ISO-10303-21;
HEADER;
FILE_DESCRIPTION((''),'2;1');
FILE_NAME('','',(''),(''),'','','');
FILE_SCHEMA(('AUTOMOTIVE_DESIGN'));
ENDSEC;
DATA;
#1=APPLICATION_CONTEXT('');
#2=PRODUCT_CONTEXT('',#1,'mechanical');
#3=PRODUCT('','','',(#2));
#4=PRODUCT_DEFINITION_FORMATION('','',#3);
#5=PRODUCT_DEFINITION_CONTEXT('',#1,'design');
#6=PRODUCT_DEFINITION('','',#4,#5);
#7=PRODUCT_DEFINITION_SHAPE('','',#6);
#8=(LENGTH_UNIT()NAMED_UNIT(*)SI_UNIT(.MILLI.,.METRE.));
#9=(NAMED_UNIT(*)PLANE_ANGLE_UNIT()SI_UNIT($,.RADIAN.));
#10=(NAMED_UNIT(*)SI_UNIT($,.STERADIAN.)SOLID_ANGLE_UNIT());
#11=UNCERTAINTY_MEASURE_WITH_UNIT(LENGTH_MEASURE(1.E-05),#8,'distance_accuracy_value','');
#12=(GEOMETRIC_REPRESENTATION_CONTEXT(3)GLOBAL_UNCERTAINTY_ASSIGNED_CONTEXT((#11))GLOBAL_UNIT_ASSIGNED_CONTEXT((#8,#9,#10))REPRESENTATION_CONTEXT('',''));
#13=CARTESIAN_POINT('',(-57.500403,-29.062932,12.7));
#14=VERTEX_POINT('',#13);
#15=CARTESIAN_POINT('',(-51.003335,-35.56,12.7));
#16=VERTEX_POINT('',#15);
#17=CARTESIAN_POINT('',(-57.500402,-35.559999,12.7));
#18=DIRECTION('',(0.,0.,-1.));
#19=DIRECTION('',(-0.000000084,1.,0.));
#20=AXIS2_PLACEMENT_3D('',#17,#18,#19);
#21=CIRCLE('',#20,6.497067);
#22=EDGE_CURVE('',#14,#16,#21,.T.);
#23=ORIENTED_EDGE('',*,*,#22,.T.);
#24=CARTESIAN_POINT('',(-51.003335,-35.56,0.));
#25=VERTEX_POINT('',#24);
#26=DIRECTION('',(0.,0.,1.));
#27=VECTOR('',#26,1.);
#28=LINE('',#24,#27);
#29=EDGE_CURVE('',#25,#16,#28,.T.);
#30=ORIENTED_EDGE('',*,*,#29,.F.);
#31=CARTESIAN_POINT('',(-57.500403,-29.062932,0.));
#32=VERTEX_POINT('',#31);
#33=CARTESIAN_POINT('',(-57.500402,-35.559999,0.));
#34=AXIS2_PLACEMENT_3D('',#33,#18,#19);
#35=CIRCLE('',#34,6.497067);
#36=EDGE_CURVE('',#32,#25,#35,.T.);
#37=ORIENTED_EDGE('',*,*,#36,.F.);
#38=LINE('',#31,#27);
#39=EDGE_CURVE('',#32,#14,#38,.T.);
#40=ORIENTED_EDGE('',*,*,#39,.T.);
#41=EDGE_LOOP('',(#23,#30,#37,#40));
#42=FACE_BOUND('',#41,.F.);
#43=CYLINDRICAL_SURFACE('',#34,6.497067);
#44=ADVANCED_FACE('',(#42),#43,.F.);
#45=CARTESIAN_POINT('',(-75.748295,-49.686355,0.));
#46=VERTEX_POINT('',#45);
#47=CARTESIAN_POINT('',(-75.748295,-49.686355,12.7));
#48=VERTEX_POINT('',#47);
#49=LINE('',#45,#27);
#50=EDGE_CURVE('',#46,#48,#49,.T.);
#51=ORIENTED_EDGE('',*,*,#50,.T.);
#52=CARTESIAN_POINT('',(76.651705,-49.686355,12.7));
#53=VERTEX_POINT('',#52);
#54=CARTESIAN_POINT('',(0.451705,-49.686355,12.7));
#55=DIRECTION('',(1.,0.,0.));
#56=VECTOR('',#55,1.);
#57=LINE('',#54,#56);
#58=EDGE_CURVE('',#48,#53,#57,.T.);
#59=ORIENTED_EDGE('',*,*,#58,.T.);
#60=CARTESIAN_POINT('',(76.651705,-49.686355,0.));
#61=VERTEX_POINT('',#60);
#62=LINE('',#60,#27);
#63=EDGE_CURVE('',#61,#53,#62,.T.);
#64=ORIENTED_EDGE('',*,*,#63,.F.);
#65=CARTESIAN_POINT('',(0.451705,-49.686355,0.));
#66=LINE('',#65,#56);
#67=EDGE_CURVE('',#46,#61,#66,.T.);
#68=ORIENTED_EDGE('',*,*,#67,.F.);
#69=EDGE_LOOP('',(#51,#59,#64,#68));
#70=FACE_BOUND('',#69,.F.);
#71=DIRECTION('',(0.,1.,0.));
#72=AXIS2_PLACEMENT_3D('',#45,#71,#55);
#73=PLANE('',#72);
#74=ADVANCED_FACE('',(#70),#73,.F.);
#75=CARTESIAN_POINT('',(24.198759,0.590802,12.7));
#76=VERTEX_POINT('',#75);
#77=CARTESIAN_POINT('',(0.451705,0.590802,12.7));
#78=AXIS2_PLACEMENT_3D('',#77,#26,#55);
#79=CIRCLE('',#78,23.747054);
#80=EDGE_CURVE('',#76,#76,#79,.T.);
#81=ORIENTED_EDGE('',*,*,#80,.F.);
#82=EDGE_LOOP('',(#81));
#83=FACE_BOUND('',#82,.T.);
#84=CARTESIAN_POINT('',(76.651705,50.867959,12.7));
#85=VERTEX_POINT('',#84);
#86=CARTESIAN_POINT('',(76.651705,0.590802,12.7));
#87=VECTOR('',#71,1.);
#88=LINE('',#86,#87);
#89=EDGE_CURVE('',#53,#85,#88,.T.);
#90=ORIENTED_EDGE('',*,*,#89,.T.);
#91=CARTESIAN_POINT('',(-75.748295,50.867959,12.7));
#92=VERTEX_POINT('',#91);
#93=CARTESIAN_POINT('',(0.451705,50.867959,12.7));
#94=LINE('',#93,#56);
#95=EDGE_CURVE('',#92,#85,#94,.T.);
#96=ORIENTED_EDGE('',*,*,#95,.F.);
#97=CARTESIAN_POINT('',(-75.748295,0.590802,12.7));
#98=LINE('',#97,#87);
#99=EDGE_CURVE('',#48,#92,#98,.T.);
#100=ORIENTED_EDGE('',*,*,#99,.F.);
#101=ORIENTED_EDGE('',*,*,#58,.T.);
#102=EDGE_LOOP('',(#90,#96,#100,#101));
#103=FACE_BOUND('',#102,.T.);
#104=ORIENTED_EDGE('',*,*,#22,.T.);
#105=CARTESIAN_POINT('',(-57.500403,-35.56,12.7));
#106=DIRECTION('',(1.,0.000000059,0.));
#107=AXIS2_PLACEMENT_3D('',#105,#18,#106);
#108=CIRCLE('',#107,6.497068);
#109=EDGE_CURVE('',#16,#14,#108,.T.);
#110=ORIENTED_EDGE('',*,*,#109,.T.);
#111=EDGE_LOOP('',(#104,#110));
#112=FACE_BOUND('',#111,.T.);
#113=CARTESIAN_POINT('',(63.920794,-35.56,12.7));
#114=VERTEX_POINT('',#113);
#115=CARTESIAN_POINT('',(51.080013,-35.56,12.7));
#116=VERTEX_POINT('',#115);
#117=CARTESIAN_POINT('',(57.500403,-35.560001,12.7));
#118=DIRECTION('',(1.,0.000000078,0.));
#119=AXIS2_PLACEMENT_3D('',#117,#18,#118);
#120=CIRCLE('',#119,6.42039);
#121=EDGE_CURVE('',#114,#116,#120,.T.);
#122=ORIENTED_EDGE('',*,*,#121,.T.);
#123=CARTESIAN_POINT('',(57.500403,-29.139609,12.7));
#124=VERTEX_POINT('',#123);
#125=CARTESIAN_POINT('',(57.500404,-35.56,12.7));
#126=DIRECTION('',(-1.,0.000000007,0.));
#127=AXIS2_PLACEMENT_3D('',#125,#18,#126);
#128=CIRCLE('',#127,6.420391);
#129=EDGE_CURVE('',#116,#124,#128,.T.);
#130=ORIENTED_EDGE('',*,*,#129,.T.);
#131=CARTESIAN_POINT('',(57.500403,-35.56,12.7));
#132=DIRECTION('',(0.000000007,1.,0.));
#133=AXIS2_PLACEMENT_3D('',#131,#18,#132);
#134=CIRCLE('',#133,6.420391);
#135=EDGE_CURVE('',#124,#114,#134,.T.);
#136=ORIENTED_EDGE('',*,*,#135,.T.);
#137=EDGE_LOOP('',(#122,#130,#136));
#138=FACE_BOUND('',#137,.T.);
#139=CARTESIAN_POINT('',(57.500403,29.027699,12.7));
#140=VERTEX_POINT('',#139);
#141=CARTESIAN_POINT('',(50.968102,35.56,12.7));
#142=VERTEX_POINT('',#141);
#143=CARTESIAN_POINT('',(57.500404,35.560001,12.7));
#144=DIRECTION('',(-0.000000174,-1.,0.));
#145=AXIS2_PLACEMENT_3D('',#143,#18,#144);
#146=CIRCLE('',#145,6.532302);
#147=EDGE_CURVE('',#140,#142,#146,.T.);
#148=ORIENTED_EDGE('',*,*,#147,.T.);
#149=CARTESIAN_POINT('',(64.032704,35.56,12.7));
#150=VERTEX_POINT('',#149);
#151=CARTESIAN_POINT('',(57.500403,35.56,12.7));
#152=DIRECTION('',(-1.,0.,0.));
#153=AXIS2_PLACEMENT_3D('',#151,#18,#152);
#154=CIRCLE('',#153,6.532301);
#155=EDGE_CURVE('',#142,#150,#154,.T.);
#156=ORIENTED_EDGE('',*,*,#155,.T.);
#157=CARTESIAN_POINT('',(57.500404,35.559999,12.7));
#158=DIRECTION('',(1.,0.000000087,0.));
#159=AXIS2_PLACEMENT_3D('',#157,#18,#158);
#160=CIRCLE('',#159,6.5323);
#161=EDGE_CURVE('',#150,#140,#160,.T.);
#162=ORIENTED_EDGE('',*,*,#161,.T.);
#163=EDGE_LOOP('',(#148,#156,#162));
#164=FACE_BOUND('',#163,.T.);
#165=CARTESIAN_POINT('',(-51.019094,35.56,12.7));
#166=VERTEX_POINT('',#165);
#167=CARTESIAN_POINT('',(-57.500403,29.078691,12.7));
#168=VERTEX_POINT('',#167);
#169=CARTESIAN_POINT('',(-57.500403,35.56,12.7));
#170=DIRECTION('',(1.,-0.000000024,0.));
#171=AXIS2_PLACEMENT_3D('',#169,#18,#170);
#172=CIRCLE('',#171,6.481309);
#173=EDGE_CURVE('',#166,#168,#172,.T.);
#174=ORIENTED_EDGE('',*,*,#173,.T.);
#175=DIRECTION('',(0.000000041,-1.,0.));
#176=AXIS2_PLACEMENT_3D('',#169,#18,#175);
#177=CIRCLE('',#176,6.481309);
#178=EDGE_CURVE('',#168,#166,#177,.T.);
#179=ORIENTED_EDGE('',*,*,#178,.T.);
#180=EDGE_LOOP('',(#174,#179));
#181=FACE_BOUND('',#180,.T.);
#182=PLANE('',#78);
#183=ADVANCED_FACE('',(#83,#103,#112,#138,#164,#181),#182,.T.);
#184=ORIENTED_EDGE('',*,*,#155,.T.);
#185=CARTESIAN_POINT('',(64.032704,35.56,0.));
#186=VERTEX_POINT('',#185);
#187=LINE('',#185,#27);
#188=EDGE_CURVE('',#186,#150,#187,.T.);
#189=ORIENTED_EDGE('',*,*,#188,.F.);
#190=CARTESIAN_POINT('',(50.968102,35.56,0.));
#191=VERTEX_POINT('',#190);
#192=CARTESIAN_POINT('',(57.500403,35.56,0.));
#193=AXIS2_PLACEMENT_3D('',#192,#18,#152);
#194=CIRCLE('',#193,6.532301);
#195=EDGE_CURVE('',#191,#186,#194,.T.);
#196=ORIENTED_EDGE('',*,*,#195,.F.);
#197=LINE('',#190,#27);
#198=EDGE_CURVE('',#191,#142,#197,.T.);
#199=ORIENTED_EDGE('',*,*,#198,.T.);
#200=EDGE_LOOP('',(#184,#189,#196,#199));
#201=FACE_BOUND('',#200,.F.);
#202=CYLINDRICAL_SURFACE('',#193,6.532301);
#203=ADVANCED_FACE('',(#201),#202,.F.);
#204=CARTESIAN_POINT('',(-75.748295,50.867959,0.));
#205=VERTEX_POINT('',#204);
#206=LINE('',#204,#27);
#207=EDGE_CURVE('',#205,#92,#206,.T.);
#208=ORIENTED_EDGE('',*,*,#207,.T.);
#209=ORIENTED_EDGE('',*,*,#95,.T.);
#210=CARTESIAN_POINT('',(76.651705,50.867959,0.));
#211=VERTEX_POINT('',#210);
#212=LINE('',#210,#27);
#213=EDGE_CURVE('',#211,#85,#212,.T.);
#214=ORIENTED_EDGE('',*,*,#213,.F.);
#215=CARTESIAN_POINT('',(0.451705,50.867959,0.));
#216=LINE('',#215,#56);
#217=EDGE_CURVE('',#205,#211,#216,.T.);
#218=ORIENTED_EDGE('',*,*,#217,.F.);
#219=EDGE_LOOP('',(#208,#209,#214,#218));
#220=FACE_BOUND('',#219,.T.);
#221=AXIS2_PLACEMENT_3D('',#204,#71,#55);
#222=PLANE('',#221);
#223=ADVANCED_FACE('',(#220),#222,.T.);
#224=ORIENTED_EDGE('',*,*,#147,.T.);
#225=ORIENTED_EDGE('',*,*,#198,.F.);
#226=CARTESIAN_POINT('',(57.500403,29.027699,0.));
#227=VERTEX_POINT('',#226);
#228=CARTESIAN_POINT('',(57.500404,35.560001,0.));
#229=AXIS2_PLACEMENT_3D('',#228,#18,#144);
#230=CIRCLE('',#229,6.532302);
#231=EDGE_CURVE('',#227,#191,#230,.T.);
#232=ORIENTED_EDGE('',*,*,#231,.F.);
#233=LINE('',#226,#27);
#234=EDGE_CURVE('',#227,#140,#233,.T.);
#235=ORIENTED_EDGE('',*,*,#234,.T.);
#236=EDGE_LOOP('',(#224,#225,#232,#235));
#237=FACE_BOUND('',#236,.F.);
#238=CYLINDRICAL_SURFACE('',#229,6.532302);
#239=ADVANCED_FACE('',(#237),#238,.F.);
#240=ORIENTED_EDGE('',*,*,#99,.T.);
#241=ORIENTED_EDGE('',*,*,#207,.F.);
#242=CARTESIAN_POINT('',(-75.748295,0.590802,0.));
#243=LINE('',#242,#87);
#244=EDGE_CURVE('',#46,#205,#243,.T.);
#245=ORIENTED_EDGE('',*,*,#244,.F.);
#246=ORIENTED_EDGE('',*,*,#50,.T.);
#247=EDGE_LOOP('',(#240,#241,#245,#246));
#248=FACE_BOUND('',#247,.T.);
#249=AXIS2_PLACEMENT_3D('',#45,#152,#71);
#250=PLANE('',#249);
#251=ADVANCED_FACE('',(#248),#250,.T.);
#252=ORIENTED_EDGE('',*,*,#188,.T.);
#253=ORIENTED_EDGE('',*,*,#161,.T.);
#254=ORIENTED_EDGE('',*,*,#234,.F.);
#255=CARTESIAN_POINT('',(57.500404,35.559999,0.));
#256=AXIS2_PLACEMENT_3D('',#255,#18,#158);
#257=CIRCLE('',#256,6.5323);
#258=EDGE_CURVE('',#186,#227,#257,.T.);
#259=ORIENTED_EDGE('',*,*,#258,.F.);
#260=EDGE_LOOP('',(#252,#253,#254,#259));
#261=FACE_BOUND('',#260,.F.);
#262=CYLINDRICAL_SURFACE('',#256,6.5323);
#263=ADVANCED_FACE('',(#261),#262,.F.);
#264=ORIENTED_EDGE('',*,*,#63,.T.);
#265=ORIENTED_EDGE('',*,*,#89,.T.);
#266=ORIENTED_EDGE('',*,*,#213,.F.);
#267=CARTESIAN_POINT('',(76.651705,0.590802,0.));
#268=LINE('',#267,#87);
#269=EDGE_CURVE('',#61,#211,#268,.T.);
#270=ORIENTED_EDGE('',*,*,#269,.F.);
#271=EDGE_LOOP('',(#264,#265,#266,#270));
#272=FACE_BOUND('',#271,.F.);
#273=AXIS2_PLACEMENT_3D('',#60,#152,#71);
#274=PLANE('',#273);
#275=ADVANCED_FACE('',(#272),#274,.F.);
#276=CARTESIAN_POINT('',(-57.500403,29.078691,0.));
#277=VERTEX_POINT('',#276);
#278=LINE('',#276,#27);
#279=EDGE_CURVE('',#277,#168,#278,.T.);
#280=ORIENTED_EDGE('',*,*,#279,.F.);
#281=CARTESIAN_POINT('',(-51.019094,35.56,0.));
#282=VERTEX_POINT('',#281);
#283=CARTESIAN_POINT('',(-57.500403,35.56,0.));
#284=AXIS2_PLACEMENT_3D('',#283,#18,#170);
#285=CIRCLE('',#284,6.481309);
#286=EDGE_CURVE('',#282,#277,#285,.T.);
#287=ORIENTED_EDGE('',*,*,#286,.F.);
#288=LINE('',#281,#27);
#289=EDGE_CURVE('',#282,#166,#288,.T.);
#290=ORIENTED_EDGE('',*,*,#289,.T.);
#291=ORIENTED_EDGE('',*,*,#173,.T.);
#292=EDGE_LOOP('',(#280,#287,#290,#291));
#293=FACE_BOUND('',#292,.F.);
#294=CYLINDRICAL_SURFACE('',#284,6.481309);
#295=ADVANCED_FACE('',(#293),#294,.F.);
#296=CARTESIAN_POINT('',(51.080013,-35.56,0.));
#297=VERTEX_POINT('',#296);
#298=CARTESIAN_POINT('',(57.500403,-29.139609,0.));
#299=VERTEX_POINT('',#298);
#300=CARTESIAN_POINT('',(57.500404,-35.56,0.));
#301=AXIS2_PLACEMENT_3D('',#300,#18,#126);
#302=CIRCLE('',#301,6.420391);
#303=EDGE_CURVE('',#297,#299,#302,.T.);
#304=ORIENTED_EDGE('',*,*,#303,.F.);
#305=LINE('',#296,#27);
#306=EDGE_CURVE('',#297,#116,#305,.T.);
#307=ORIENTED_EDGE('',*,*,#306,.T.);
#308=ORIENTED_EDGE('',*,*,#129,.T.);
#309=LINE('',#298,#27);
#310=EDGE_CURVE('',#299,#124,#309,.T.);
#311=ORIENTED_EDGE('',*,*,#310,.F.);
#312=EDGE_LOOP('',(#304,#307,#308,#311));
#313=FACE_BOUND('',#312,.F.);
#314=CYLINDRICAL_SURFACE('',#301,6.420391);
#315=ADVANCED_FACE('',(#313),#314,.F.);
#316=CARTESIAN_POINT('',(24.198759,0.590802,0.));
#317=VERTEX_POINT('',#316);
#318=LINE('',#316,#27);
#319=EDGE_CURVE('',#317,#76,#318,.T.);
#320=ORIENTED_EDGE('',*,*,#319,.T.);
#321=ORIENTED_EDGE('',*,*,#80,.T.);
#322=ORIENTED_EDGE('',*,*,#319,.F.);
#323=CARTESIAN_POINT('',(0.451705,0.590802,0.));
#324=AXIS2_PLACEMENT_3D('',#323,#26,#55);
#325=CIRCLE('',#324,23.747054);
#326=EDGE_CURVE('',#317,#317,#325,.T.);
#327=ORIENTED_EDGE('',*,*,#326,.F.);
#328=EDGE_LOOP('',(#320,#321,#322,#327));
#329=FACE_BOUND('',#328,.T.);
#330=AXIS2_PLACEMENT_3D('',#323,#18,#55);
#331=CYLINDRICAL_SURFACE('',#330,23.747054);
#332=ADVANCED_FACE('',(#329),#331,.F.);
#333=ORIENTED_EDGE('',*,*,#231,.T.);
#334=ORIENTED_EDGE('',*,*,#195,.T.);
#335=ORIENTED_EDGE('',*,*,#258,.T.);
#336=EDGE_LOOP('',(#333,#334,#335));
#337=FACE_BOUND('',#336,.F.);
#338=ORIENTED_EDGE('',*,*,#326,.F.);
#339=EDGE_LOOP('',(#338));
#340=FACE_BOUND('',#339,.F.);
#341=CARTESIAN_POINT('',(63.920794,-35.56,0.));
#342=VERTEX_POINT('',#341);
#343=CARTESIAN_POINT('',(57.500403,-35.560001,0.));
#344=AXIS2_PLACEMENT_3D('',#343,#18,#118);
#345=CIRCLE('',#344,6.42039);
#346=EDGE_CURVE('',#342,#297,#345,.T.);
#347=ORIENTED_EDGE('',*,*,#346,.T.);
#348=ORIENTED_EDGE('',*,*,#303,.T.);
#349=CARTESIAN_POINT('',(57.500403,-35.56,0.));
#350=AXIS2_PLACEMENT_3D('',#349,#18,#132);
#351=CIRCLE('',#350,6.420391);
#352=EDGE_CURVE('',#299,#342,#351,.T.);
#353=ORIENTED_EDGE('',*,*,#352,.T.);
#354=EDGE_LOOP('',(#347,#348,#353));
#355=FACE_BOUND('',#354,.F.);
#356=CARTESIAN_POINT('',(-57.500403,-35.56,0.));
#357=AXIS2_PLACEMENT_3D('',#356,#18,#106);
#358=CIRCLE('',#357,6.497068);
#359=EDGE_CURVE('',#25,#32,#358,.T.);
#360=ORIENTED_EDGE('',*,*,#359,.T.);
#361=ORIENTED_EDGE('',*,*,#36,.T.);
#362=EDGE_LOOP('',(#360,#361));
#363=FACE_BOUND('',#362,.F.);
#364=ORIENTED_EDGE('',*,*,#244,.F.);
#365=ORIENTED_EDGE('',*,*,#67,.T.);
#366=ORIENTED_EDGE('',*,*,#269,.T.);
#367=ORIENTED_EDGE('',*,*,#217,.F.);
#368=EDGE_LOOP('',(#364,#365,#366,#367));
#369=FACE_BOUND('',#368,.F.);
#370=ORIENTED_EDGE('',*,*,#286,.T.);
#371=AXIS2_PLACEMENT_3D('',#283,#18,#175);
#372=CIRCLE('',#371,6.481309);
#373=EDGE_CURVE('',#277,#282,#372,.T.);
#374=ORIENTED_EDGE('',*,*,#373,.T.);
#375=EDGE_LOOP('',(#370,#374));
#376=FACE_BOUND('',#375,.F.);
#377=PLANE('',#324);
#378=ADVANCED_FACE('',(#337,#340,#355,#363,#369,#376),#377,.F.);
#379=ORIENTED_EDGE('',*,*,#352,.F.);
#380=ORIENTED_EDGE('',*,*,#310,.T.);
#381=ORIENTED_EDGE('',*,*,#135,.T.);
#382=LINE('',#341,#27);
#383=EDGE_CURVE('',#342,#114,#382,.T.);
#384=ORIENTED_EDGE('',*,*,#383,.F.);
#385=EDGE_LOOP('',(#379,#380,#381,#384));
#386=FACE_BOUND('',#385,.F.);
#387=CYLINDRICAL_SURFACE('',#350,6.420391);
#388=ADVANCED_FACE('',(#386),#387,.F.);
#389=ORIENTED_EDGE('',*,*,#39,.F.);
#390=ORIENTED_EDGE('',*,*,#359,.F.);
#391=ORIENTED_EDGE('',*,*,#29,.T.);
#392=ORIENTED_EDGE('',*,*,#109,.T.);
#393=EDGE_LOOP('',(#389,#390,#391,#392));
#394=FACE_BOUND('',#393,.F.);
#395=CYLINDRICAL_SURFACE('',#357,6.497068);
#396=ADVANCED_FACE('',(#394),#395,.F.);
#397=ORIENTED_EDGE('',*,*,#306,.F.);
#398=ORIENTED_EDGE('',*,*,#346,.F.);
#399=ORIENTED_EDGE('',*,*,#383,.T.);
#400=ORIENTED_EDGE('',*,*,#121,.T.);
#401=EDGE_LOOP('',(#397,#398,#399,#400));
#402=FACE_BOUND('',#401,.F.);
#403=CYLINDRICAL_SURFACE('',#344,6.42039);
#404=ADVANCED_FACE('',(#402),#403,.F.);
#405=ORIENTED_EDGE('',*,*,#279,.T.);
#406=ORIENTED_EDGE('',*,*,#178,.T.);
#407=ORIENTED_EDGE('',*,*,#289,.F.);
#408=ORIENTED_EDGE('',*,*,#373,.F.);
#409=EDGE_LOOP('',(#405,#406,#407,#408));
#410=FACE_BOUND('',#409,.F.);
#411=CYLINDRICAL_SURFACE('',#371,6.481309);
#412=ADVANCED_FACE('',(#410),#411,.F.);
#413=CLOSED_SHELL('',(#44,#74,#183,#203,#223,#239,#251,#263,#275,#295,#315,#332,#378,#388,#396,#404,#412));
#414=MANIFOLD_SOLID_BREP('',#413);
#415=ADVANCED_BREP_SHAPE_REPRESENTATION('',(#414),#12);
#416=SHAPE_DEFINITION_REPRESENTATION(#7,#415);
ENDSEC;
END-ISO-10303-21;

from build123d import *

# Parameters (mm, degrees)
F0_W     = 152.4
F0_H     = 100.554315
F0_R     = 23.747054
F1_DEPTH = 12.7


with BuildPart() as f1:
    # F0 (on Top) → F1 (new body)
    with BuildSketch(Plane.XY):
        with Locations((0.451705, 0.590802)):
            Rectangle(F0_W, F0_H)
        with BuildLine():
            ThreePointArc((-57.500403, 29.078691), (-62.083381, 40.142978), (-51.019094, 35.56))
            Line((-51.019094, 35.56), (50.968102, 35.56))
            ThreePointArc((50.968102, 35.56), (57.500403, 42.092301), (64.032704, 35.56))
            ThreePointArc((64.032704, 35.56), (62.119438, 30.940966), (57.500403, 29.027699))
            Line((57.500403, 29.027699), (57.500403, -29.139609))
            ThreePointArc((57.500403, -29.139609), (62.040305, -31.020098), (63.920794, -35.56))
            ThreePointArc((63.920794, -35.56), (57.500403, -41.980391), (51.080013, -35.56))
            Line((51.080013, -35.56), (-51.003335, -35.56))
            ThreePointArc((-51.003335, -35.56), (-62.094525, -40.154121), (-57.500403, -29.062932))
            Line((-57.500403, -29.062932), (-57.500403, 29.078691))
        make_face(mode=Mode.SUBTRACT)
        with BuildLine():
            Line((50.968102, 35.56), (-51.019094, 35.56))
            ThreePointArc((-51.019094, 35.56), (-52.917426, 30.977022), (-57.500403, 29.078691))
            Line((-57.500403, 29.078691), (-57.500403, -29.062932))
            ThreePointArc((-57.500403, -29.062932), (-52.906282, -30.965879), (-51.003335, -35.56))
            Line((-51.003335, -35.56), (51.080013, -35.56))
            ThreePointArc((51.080013, -35.56), (52.960502, -31.020098), (57.500403, -29.139609))
            Line((57.500403, -29.139609), (57.500403, 29.027699))
            ThreePointArc((57.500403, 29.027699), (52.881369, 30.940966), (50.968102, 35.56))
        make_face()
        with Locations((0.451705, 0.590802)):
            Circle(F0_R, mode=Mode.SUBTRACT)
    extrude(amount=F1_DEPTH)


solid = f1.part
